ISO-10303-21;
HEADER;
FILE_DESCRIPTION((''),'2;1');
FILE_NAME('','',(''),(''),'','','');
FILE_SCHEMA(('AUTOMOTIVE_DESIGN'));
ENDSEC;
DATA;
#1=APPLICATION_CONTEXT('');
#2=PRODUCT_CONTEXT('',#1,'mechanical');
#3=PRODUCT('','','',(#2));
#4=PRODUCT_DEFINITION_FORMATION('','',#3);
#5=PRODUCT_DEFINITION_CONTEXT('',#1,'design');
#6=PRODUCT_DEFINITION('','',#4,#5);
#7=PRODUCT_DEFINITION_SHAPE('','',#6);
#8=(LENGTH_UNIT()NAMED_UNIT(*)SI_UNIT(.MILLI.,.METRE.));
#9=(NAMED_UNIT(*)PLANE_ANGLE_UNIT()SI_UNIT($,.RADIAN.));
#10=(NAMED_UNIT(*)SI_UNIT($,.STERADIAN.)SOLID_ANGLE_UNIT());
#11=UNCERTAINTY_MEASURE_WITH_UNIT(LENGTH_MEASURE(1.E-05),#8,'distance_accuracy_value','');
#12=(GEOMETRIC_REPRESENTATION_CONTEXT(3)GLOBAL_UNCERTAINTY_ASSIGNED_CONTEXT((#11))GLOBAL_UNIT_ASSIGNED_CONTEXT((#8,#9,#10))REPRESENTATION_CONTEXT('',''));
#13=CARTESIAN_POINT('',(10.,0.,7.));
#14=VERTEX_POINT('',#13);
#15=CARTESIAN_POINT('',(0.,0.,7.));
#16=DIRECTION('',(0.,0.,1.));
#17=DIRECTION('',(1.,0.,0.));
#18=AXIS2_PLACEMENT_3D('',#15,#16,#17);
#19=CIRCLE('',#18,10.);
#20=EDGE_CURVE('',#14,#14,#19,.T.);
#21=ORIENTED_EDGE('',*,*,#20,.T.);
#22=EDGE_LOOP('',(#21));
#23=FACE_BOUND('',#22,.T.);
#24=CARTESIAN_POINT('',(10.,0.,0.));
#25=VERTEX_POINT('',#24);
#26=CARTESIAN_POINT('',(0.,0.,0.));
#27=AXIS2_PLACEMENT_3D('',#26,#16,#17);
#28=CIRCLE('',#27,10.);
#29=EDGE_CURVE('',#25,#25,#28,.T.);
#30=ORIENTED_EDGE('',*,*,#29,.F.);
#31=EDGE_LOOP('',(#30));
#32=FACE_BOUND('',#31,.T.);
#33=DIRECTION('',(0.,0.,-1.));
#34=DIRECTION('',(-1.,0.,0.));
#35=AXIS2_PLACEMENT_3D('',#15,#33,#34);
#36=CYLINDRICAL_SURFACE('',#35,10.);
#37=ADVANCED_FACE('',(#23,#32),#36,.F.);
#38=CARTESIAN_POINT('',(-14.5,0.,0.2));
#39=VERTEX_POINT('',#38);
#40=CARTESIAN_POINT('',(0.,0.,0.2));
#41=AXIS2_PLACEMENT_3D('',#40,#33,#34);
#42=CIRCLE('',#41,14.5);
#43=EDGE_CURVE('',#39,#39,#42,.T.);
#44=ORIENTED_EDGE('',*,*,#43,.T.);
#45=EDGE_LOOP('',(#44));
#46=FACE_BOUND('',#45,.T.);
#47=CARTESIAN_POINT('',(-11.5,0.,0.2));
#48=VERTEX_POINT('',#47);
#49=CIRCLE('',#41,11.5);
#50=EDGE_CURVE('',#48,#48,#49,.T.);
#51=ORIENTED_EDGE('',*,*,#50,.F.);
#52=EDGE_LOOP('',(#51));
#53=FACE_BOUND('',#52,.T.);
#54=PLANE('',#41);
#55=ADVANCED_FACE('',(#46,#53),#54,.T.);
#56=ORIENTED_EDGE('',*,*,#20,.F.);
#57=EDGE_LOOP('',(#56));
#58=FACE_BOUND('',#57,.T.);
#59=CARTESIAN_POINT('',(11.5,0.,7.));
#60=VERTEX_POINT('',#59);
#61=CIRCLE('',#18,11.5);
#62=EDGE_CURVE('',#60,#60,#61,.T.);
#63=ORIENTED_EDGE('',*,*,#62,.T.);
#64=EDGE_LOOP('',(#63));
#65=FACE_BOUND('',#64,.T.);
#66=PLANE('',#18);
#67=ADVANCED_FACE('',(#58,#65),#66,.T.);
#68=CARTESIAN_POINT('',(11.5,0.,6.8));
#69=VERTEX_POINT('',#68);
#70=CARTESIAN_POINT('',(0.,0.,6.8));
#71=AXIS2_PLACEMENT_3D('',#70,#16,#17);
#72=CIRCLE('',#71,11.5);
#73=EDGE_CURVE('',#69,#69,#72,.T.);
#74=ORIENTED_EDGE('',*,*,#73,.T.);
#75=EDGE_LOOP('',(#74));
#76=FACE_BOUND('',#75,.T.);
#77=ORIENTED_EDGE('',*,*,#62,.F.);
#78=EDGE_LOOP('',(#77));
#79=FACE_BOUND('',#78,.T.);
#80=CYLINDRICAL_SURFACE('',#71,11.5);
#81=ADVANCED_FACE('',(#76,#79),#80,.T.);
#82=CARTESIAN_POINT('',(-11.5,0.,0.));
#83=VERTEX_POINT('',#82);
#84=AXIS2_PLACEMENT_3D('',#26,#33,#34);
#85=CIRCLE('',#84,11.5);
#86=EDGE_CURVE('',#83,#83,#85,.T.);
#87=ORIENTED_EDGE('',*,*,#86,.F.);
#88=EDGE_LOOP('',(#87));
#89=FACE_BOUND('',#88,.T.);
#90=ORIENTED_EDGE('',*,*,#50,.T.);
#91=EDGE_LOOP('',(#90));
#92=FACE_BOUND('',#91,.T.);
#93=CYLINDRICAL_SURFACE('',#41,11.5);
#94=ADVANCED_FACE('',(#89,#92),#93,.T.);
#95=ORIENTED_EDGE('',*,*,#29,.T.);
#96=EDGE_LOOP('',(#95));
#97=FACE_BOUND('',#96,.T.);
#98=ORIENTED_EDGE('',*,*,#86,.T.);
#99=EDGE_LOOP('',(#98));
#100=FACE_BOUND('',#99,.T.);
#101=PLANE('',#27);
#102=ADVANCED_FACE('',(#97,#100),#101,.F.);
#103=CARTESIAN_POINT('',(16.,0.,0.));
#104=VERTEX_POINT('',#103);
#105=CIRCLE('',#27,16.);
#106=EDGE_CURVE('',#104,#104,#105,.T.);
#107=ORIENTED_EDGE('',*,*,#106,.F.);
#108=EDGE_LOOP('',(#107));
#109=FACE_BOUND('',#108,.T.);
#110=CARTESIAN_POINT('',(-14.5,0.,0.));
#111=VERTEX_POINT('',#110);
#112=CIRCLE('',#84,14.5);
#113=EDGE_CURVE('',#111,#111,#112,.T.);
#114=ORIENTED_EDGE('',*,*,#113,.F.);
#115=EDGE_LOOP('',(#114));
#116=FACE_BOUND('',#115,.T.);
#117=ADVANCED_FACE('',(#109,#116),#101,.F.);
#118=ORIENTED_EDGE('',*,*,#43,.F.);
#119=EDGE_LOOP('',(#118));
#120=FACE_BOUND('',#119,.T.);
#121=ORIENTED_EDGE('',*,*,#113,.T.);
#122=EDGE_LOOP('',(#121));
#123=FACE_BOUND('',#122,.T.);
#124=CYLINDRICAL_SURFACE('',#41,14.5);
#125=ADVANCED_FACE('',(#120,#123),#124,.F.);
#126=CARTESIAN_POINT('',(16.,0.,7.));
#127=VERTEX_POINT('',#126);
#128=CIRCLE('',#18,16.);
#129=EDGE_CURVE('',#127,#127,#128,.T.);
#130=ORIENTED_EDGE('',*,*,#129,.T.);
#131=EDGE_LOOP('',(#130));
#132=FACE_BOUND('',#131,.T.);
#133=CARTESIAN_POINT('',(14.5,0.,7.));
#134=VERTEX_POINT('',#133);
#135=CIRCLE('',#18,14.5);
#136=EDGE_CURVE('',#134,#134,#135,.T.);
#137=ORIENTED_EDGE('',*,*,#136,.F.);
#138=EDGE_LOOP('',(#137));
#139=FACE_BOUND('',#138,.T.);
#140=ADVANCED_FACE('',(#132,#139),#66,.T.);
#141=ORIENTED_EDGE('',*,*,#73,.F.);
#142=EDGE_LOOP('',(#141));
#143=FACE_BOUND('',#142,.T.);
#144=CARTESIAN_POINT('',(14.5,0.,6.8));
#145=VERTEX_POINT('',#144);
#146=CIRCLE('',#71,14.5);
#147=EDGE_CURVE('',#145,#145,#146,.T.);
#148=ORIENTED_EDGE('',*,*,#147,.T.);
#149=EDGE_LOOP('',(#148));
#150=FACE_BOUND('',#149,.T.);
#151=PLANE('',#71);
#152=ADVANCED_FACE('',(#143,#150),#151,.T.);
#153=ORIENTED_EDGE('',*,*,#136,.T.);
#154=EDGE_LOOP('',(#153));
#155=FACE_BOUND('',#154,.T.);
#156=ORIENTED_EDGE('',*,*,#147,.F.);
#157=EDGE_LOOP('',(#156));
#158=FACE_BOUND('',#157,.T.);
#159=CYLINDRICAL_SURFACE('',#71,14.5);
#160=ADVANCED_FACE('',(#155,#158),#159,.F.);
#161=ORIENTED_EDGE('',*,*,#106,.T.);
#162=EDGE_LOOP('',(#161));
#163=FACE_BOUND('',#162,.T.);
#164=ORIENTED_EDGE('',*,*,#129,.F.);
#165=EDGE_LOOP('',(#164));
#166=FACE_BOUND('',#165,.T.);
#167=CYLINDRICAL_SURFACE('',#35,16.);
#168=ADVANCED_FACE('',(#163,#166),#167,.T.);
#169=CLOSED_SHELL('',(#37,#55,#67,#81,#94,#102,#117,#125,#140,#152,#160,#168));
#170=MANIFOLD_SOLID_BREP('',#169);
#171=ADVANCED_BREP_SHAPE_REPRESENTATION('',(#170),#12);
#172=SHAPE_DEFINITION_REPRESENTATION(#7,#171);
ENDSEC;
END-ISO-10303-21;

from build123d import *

# Parameters (mm, degrees)
ESQUISSE1_R             = 16
ESQUISSE1_R_2           = 10
BOSS_EXTRU_1_DEPTH      = 7
ESQUISSE2_R             = 14.5
ESQUISSE2_R_2           = 11.5
ENL_V_MAT_EXTRU_1_DEPTH = 0.2
ESQUISSE3_R             = 14.5
ESQUISSE3_R_2           = 11.5
ENL_V_MAT_EXTRU_2_DEPTH = 0.2


with BuildPart() as part:
    # Esquisse1 → Boss.-Extru.1 (new body)
    with BuildSketch(Plane.XY):
        Circle(ESQUISSE1_R)
        Circle(ESQUISSE1_R_2, mode=Mode.SUBTRACT)
    extrude(amount=BOSS_EXTRU_1_DEPTH)

    # Esquisse2 → Enlèv. mat.-Extru.1 (cut)
    with BuildSketch(Plane.XY.offset(7)):
        Circle(ESQUISSE2_R)
        Circle(ESQUISSE2_R_2, mode=Mode.SUBTRACT)
    extrude(amount=-ENL_V_MAT_EXTRU_1_DEPTH, mode=Mode.SUBTRACT)

    # Esquisse3 → Enlèv. mat.-Extru.2 (cut)
    with BuildSketch(Plane(origin=(0, 0, 0), x_dir=(-1, 0, 0), z_dir=(0, 0, -1))):
        Circle(ESQUISSE3_R)
        Circle(ESQUISSE3_R_2, mode=Mode.SUBTRACT)
    extrude(amount=-ENL_V_MAT_EXTRU_2_DEPTH, mode=Mode.SUBTRACT)


solid = part.part
